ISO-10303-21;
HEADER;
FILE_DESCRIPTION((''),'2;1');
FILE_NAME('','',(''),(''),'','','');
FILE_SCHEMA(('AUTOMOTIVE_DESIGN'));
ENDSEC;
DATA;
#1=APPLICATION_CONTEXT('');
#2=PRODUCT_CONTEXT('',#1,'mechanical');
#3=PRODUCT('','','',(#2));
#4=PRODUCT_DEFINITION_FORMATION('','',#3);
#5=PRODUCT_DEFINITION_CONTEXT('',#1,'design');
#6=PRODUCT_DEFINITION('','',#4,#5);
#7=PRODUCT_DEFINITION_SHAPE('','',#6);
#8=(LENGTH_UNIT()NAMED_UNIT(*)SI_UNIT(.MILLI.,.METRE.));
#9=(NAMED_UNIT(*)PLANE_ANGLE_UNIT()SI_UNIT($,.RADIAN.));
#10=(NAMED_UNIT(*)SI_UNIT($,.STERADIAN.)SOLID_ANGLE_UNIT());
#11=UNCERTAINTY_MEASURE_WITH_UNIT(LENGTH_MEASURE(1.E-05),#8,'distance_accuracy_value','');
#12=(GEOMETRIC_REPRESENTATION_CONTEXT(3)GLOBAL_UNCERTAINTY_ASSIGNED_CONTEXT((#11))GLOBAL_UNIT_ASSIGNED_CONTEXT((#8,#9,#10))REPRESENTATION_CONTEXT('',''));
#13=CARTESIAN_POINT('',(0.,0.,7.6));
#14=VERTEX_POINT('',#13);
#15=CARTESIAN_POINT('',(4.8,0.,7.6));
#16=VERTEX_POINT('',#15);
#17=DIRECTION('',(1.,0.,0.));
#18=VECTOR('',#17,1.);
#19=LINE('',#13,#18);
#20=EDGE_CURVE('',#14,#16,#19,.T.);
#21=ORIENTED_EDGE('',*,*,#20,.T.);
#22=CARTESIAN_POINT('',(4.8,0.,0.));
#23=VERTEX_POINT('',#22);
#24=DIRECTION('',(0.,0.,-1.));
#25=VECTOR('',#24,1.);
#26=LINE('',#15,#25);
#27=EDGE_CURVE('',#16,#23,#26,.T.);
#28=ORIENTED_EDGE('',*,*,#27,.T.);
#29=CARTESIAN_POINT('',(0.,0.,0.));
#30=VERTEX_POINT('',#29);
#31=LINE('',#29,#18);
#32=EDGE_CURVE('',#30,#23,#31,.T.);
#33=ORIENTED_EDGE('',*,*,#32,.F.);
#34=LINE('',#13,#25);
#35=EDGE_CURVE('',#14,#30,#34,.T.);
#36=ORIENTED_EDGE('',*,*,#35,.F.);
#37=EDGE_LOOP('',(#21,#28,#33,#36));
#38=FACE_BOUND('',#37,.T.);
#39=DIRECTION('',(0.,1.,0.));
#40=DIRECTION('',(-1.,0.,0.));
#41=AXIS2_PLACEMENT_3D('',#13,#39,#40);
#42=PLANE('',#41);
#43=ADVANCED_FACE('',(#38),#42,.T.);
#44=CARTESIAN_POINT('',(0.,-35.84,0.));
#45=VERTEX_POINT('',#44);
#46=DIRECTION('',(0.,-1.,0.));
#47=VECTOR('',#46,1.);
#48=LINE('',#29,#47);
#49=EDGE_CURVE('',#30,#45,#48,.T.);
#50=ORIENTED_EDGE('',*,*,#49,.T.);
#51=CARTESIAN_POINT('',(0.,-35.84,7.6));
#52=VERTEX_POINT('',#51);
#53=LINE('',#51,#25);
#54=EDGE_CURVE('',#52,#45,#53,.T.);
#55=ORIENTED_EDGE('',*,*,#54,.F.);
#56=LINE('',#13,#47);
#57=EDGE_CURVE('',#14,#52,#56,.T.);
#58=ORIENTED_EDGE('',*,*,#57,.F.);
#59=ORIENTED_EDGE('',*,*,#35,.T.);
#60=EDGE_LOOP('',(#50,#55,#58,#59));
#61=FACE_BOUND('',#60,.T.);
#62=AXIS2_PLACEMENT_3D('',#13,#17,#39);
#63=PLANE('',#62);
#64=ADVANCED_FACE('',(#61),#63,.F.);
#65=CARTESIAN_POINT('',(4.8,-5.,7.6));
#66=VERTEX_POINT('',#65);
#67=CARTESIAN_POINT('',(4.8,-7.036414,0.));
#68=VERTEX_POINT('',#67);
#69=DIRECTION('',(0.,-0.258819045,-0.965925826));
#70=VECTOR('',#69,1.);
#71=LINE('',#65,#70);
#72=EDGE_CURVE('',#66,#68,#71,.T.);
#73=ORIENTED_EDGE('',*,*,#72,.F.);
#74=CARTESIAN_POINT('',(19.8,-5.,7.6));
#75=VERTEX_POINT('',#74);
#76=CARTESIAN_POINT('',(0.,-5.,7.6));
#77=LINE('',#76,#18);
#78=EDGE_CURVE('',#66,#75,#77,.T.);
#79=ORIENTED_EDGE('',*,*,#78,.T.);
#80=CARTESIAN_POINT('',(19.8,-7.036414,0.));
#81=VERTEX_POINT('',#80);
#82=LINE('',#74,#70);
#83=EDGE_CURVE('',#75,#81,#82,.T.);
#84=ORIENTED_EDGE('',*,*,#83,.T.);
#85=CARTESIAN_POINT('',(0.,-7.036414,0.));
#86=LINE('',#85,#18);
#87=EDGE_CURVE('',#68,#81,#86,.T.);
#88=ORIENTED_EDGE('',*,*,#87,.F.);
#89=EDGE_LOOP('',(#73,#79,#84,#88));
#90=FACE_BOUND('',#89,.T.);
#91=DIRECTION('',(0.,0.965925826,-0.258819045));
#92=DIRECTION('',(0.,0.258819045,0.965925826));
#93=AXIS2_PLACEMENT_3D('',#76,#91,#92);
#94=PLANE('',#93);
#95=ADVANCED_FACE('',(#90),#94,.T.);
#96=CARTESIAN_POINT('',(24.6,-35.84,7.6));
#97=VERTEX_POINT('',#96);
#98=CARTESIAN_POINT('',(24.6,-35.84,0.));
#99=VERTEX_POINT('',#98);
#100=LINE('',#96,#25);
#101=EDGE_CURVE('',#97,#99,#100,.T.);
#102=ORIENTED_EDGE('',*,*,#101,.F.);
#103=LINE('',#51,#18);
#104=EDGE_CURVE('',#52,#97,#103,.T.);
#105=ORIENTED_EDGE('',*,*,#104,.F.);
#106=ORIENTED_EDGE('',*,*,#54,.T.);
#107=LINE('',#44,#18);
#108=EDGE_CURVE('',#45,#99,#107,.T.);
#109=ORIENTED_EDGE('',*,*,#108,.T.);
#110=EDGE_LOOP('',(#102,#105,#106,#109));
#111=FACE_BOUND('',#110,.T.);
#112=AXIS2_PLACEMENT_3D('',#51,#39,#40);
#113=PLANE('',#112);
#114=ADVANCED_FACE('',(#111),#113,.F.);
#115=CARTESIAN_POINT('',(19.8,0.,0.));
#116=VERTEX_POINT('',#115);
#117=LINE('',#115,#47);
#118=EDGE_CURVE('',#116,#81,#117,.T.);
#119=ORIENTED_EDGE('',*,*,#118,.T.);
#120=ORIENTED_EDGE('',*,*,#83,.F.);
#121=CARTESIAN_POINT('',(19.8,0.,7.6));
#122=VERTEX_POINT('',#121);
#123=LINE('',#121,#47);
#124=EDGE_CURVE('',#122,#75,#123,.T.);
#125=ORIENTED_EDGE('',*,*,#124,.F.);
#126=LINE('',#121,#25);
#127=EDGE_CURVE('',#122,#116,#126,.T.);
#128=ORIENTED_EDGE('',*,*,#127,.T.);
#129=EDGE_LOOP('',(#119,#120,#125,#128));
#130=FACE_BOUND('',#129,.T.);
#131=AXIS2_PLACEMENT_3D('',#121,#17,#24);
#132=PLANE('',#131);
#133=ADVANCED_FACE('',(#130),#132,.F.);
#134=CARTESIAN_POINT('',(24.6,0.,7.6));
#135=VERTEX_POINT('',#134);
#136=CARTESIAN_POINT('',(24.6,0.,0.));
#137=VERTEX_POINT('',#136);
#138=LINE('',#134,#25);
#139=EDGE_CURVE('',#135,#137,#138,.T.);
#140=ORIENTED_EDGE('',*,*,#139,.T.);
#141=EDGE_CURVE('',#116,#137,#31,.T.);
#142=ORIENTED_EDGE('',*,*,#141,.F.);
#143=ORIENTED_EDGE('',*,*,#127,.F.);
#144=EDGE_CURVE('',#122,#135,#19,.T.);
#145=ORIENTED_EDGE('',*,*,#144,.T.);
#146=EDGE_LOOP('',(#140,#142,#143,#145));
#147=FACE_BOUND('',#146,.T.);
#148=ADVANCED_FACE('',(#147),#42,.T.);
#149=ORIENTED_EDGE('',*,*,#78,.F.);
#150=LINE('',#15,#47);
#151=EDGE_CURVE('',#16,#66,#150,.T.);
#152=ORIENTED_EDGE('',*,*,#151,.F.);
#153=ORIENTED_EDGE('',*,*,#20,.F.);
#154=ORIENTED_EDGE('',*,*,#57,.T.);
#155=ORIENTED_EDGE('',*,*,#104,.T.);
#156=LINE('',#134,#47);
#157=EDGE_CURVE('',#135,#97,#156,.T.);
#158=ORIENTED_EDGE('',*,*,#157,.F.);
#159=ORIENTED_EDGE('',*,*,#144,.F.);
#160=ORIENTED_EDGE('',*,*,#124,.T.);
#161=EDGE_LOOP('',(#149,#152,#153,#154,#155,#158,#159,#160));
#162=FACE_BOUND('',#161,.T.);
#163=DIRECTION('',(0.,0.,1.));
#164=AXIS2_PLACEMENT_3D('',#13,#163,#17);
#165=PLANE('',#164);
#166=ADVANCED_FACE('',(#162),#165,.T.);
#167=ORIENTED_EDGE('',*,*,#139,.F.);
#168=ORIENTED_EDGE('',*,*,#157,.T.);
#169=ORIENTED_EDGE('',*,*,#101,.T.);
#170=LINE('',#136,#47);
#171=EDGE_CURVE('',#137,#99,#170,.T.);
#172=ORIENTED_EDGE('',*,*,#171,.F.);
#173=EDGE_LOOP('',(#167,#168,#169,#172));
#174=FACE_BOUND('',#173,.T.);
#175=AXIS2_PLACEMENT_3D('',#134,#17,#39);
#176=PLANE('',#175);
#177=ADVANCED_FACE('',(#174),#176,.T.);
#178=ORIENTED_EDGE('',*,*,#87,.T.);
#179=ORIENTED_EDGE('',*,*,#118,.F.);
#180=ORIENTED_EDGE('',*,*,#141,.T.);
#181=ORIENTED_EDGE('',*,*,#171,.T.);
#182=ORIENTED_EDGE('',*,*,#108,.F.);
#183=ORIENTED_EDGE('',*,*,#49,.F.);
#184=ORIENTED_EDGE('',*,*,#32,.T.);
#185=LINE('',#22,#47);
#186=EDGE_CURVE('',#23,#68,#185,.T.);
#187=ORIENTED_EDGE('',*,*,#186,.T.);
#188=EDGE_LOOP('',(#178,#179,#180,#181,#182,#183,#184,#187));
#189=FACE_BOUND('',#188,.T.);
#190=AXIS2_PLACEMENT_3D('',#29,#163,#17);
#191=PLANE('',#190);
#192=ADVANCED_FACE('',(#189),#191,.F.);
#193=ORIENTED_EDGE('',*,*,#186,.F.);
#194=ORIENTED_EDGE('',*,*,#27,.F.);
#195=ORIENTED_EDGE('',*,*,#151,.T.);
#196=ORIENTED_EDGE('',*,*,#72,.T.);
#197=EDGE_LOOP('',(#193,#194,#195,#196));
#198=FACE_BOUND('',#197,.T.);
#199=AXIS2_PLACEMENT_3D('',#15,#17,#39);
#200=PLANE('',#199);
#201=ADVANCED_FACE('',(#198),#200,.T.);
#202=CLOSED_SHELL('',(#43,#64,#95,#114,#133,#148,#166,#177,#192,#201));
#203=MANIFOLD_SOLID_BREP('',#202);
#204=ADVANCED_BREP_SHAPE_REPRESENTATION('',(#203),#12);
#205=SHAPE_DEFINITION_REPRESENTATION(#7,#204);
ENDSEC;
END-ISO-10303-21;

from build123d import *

# Parameters (mm, degrees)
EXTRUDE_1_DEPTH = 7.6
DRAFT_5_ANGLE   = -15


with BuildPart() as part:
    # 草图1 → 凸台-拉伸1 (new body)
    with BuildSketch(Plane.XY):
        Polygon((4.8, 0), (0, 0), (0, -35.84), (24.6, -35.84), (24.6, 0), (19.8, 0), (19.8, -5), (4.8, -5), align=None)
    extrude(amount=EXTRUDE_1_DEPTH)

    # 拔模5
    draft_5_faces = [part.faces().sort_by_distance(p)[0] for p in [
        (12.3, -5, 3.8),
    ]]
    draft(draft_5_faces, Plane.XY.offset(7.6), DRAFT_5_ANGLE)


solid = part.part
